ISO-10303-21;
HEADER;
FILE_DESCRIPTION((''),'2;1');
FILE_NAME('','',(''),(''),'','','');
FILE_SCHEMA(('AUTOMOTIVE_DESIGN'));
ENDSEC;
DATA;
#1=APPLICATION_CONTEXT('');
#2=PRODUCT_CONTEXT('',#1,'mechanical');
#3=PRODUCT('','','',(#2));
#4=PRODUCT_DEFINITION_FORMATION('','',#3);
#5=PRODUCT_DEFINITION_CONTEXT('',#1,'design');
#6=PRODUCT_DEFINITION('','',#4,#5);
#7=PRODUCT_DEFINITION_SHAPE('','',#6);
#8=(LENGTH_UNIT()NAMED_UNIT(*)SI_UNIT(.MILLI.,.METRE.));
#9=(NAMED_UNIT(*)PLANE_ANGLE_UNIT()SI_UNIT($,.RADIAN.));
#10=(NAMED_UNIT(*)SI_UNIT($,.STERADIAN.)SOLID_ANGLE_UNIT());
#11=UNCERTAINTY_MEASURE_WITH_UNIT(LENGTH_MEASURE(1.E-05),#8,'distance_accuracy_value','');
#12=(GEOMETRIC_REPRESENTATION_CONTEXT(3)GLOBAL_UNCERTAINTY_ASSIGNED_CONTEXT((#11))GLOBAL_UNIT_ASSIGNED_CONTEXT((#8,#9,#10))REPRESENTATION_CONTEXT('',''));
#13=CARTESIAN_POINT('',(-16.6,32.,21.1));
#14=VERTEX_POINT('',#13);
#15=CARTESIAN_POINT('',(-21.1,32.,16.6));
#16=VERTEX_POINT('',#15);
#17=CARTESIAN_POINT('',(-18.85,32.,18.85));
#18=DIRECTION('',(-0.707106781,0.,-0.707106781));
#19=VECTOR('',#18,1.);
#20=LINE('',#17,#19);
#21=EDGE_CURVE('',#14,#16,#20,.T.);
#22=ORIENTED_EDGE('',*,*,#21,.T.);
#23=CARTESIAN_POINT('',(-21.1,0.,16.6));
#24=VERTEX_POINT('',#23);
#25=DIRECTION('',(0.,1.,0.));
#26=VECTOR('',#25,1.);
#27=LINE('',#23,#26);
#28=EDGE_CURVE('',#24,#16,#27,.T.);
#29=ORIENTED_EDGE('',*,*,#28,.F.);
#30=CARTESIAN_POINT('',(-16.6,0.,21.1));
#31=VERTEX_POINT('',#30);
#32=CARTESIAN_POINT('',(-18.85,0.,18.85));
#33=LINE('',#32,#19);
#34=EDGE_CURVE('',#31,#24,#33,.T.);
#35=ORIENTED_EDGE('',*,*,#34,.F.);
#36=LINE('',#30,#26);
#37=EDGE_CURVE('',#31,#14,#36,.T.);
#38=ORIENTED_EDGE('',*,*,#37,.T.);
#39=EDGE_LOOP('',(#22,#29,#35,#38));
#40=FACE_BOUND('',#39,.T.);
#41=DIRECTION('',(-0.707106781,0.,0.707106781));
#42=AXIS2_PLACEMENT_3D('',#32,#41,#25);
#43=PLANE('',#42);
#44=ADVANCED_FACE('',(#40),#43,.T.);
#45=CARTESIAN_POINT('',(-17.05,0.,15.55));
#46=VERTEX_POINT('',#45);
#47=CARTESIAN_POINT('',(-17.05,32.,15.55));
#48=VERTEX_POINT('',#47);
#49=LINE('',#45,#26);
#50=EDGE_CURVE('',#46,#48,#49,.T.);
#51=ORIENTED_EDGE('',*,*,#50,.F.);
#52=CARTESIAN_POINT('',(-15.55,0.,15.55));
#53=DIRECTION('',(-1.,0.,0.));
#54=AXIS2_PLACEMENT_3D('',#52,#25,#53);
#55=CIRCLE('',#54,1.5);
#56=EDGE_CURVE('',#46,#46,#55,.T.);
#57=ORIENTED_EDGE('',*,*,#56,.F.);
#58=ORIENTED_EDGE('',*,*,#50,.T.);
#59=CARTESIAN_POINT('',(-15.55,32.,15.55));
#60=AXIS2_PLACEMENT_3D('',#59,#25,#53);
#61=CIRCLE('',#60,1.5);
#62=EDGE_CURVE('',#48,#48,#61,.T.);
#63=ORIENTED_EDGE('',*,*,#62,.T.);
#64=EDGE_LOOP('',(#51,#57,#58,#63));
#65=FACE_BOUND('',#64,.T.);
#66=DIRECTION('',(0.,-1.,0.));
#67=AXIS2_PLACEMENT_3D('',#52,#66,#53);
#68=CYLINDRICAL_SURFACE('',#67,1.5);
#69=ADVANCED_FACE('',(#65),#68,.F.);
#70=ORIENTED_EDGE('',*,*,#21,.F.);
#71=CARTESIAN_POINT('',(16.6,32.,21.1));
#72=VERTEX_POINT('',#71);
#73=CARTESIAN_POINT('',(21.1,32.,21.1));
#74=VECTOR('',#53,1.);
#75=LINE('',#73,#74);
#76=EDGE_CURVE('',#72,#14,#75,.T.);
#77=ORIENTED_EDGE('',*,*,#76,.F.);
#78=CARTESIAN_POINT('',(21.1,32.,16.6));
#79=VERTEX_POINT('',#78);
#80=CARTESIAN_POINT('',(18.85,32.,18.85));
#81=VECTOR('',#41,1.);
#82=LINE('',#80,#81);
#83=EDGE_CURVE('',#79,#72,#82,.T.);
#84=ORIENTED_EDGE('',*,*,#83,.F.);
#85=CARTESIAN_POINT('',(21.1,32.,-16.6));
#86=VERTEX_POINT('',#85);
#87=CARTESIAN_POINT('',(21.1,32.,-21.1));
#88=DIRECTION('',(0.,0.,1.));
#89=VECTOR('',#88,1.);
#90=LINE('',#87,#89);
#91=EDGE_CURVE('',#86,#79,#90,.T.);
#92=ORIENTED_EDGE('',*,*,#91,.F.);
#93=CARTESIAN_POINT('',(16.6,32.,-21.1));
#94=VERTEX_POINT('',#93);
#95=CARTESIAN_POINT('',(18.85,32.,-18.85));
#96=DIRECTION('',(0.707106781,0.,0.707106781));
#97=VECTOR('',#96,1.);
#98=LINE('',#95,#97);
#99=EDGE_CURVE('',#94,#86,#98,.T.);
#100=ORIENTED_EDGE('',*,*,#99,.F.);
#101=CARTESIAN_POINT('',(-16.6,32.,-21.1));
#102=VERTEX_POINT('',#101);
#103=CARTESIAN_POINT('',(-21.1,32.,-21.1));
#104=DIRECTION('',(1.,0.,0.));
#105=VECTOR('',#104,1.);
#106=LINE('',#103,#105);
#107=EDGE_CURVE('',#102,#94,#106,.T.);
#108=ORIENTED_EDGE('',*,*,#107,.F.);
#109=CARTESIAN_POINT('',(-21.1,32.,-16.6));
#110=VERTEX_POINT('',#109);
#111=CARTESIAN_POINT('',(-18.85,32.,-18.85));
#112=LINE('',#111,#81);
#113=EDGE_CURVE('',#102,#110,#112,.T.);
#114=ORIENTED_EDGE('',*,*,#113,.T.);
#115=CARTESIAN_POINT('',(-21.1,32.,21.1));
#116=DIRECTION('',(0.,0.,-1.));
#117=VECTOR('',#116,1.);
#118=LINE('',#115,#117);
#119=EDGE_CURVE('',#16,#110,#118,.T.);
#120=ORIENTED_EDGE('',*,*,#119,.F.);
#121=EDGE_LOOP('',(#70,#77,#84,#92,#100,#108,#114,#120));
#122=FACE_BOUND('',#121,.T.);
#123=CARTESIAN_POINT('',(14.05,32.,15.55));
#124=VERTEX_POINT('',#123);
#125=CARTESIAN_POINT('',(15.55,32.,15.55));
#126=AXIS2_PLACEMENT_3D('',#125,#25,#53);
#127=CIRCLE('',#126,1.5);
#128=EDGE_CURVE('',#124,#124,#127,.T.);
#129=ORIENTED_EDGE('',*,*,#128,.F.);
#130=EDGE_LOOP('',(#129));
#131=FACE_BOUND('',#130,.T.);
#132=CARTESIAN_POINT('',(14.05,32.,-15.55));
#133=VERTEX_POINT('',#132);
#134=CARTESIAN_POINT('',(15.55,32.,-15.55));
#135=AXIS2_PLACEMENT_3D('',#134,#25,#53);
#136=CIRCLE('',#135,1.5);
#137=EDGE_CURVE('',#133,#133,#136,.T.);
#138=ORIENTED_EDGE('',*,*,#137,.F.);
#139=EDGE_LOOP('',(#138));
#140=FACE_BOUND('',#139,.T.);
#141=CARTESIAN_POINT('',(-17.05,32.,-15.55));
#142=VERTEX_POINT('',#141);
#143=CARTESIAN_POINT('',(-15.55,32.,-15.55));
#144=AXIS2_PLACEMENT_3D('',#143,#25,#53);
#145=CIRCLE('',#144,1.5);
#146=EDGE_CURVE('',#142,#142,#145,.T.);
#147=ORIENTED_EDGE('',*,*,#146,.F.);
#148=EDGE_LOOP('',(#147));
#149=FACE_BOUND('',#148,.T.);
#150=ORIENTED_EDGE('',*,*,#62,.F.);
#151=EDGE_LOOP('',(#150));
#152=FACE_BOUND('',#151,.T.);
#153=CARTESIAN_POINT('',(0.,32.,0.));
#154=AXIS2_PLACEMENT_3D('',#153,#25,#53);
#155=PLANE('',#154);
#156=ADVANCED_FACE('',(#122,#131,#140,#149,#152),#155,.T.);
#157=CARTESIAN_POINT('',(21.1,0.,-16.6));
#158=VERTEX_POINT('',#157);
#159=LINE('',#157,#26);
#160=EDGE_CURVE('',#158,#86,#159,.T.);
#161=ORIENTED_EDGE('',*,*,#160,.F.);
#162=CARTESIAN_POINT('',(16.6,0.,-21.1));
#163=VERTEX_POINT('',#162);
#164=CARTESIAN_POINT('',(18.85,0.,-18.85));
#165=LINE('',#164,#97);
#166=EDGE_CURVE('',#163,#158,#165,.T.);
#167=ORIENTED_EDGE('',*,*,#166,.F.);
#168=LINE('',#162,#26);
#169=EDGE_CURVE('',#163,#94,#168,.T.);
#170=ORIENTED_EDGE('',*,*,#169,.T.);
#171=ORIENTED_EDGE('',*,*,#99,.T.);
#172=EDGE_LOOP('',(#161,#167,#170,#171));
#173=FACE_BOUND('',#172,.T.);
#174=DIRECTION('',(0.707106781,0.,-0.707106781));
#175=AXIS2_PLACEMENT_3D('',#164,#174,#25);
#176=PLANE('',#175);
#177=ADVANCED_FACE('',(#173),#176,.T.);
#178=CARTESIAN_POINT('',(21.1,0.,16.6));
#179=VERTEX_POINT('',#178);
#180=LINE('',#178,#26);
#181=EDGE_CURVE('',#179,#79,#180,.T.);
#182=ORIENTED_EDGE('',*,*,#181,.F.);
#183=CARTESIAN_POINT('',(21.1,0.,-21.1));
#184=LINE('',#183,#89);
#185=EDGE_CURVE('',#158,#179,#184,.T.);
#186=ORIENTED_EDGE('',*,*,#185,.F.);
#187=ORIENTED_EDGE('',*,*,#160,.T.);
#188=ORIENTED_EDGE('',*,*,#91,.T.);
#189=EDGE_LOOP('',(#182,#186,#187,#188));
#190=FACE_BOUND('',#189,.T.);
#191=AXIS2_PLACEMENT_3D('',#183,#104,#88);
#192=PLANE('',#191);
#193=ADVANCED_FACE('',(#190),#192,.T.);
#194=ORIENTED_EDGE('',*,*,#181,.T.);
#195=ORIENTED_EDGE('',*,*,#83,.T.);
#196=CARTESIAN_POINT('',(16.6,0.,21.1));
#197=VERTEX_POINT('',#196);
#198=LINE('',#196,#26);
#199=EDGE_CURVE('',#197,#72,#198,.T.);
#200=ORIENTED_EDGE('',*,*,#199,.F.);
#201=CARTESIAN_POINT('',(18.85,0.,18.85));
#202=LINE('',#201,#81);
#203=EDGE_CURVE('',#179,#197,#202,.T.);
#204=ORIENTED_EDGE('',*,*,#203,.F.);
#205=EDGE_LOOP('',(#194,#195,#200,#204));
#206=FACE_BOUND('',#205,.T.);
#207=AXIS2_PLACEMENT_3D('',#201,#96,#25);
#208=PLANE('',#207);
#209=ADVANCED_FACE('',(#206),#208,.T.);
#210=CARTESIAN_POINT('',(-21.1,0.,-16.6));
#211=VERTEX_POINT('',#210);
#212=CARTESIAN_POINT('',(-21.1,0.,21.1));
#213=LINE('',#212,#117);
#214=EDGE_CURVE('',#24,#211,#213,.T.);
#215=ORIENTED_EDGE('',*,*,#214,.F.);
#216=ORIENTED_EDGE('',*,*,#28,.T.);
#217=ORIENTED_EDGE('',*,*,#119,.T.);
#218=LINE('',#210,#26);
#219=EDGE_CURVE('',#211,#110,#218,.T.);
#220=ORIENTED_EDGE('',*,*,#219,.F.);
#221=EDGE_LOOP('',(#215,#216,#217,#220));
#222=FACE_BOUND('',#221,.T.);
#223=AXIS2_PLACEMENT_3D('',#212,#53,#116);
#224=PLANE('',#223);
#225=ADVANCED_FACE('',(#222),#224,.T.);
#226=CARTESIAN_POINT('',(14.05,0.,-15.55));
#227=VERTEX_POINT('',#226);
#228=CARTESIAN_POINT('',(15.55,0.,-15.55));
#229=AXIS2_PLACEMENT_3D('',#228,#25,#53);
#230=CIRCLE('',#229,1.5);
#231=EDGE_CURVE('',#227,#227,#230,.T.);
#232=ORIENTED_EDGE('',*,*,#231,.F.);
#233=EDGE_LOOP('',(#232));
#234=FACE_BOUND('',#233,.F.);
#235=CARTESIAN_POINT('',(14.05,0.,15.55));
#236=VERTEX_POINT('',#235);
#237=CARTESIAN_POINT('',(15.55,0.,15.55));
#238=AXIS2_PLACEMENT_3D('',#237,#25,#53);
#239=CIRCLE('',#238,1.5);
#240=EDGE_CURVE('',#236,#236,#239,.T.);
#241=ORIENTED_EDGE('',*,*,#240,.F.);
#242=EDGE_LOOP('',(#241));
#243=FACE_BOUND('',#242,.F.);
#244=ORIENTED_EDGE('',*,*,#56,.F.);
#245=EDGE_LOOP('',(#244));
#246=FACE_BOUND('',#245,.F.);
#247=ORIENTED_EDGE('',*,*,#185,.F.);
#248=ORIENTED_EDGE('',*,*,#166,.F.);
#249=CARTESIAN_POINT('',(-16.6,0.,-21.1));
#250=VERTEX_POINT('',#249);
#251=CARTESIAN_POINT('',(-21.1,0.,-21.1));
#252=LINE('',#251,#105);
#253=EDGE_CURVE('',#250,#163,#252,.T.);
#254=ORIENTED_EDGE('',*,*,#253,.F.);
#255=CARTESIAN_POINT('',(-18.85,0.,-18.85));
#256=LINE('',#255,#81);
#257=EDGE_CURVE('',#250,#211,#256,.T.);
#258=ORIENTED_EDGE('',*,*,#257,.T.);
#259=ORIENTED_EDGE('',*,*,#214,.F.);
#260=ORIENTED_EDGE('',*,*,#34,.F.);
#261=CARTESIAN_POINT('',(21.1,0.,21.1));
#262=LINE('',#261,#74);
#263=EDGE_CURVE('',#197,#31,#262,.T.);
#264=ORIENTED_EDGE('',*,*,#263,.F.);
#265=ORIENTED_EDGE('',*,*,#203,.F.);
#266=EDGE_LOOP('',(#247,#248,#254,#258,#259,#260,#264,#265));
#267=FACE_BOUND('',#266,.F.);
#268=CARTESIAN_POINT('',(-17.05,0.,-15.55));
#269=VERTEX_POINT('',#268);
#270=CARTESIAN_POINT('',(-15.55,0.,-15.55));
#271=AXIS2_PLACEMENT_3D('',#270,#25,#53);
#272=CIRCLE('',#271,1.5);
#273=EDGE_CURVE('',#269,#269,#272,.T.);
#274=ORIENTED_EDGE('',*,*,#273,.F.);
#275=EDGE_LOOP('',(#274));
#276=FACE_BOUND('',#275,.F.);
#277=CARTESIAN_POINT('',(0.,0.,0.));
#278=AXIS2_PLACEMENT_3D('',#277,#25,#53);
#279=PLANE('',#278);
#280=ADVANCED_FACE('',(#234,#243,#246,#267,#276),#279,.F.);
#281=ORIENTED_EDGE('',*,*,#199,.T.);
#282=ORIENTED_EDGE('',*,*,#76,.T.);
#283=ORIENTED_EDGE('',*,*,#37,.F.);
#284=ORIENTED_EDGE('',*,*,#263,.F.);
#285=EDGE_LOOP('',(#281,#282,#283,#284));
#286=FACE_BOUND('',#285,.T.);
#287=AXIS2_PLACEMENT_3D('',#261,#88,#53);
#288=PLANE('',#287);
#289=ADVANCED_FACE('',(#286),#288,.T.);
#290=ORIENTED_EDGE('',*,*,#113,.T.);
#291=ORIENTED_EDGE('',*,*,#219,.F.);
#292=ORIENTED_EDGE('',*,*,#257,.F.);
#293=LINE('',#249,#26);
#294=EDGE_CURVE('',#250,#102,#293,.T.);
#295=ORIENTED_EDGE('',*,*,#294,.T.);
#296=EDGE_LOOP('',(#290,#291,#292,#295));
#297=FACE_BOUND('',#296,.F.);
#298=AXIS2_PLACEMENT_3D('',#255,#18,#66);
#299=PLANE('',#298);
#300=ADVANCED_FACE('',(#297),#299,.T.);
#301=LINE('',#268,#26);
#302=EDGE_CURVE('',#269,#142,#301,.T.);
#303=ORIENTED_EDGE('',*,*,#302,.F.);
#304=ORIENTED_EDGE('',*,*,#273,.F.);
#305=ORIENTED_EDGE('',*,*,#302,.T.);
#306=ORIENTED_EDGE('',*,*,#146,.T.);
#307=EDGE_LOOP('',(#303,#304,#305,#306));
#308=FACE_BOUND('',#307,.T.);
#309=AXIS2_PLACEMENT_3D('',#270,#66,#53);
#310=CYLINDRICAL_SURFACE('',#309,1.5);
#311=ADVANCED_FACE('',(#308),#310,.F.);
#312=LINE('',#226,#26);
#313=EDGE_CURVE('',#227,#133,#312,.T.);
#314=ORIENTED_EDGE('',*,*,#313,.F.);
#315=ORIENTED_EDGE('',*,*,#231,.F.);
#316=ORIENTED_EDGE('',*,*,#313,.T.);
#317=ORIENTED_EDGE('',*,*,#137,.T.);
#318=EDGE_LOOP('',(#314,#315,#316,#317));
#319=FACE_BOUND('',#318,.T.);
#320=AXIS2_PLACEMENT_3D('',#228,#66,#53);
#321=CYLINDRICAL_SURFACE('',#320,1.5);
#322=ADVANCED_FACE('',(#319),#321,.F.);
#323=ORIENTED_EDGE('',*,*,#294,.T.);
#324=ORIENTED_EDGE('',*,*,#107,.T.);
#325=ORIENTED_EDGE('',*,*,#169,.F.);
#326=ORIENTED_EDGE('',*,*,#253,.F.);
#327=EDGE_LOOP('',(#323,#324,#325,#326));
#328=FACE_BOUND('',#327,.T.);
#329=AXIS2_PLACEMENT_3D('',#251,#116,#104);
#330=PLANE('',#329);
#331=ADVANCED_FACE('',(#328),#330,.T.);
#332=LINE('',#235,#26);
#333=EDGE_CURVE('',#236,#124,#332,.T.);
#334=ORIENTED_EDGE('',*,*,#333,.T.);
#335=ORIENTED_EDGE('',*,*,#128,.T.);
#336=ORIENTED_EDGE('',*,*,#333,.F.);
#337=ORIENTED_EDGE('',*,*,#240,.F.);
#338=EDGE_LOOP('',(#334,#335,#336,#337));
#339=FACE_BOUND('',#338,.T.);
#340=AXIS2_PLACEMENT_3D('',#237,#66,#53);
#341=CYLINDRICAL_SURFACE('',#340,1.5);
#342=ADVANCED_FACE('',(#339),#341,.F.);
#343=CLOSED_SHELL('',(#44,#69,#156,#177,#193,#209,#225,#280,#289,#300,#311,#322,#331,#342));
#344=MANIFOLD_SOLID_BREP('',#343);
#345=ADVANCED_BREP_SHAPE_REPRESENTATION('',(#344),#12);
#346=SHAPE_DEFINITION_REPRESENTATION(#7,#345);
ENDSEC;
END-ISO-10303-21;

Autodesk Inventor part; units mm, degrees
ref_plane "YZ Plane" through (0, 0, 0) normal (1, 0, 0) x (0, 1, 0)
ref_plane "XZ Plane" through (0, 0, 0) normal (0, 1, 0) x (-1, 0, 0)
ref_plane "XY Plane" through (0, 0, 0) normal (0, 0, 1) x (1, 0, 0)
sketch "Эскиз1" plane through (0, 0, 0) normal (0, 1, 0) x (-1, 0, 0)
  line L0 (21.1, -21.1) -> (-21.1, -21.1)
  line L1 (-21.1, -21.1) -> (-21.1, 21.1)
  line L2 (-21.1, 21.1) -> (21.1, 21.1)
  line L3 (21.1, 21.1) -> (21.1, -21.1)
  line L4 (21.1, -21.1) -> (-21.1, 21.1) construction
  line L5 (-21.1, -21.1) -> (21.1, 21.1) construction
  line L6 (-15.55, 15.55) -> (15.55, 15.55) construction
  line L7 (15.55, 15.55) -> (15.55, -15.55) construction
  line L8 (15.55, -15.55) -> (-15.55, -15.55) construction
  line L9 (-15.55, -15.55) -> (-15.55, 15.55) construction
  line L10 (-15.55, 15.55) -> (15.55, -15.55) construction
  line L11 (15.55, 15.55) -> (-15.55, -15.55) construction
  circle A0 centre (-15.55, -15.55) radius 1.5
  circle A1 centre (15.55, -15.55) radius 1.5
  circle A2 centre (15.55, 15.55) radius 1.5
  circle A3 centre (-15.55, 15.55) radius 1.5
  point P0 (0, 0)
  dimension "d0" = 42.2
  dimension "d1" = 42.2
  dimension "d2" = 31.1
  dimension "d3" = 31.1
  dimension "d4" = 3
  dimension "d5" = 3
  dimension "d6" = 3
  dimension "d7" = 3
extrude "Выдавливание1" add sketch "Эскиз1" along normal blind 32
chamfer "Фаска1" distance 4.5 angle 45 4 edges at (21.1, 16, -21.1) (21.1, 16, 21.1) (-21.1, 16, 21.1) (-21.1, 16, -21.1)
thread "Резьба1" size "M3x0.5" class "6H" standard "ANSI Metric M Profile" full length
thread "Резьба2" size "M3x0.5" class "6H" standard "ANSI Metric M Profile" full length
thread "Резьба3" size "M3x0.5" class "6H" standard "ANSI Metric M Profile" full length
thread "Резьба4" size "M3x0.5" class "6H" standard "ANSI Metric M Profile" full length
properties part number "Top"
